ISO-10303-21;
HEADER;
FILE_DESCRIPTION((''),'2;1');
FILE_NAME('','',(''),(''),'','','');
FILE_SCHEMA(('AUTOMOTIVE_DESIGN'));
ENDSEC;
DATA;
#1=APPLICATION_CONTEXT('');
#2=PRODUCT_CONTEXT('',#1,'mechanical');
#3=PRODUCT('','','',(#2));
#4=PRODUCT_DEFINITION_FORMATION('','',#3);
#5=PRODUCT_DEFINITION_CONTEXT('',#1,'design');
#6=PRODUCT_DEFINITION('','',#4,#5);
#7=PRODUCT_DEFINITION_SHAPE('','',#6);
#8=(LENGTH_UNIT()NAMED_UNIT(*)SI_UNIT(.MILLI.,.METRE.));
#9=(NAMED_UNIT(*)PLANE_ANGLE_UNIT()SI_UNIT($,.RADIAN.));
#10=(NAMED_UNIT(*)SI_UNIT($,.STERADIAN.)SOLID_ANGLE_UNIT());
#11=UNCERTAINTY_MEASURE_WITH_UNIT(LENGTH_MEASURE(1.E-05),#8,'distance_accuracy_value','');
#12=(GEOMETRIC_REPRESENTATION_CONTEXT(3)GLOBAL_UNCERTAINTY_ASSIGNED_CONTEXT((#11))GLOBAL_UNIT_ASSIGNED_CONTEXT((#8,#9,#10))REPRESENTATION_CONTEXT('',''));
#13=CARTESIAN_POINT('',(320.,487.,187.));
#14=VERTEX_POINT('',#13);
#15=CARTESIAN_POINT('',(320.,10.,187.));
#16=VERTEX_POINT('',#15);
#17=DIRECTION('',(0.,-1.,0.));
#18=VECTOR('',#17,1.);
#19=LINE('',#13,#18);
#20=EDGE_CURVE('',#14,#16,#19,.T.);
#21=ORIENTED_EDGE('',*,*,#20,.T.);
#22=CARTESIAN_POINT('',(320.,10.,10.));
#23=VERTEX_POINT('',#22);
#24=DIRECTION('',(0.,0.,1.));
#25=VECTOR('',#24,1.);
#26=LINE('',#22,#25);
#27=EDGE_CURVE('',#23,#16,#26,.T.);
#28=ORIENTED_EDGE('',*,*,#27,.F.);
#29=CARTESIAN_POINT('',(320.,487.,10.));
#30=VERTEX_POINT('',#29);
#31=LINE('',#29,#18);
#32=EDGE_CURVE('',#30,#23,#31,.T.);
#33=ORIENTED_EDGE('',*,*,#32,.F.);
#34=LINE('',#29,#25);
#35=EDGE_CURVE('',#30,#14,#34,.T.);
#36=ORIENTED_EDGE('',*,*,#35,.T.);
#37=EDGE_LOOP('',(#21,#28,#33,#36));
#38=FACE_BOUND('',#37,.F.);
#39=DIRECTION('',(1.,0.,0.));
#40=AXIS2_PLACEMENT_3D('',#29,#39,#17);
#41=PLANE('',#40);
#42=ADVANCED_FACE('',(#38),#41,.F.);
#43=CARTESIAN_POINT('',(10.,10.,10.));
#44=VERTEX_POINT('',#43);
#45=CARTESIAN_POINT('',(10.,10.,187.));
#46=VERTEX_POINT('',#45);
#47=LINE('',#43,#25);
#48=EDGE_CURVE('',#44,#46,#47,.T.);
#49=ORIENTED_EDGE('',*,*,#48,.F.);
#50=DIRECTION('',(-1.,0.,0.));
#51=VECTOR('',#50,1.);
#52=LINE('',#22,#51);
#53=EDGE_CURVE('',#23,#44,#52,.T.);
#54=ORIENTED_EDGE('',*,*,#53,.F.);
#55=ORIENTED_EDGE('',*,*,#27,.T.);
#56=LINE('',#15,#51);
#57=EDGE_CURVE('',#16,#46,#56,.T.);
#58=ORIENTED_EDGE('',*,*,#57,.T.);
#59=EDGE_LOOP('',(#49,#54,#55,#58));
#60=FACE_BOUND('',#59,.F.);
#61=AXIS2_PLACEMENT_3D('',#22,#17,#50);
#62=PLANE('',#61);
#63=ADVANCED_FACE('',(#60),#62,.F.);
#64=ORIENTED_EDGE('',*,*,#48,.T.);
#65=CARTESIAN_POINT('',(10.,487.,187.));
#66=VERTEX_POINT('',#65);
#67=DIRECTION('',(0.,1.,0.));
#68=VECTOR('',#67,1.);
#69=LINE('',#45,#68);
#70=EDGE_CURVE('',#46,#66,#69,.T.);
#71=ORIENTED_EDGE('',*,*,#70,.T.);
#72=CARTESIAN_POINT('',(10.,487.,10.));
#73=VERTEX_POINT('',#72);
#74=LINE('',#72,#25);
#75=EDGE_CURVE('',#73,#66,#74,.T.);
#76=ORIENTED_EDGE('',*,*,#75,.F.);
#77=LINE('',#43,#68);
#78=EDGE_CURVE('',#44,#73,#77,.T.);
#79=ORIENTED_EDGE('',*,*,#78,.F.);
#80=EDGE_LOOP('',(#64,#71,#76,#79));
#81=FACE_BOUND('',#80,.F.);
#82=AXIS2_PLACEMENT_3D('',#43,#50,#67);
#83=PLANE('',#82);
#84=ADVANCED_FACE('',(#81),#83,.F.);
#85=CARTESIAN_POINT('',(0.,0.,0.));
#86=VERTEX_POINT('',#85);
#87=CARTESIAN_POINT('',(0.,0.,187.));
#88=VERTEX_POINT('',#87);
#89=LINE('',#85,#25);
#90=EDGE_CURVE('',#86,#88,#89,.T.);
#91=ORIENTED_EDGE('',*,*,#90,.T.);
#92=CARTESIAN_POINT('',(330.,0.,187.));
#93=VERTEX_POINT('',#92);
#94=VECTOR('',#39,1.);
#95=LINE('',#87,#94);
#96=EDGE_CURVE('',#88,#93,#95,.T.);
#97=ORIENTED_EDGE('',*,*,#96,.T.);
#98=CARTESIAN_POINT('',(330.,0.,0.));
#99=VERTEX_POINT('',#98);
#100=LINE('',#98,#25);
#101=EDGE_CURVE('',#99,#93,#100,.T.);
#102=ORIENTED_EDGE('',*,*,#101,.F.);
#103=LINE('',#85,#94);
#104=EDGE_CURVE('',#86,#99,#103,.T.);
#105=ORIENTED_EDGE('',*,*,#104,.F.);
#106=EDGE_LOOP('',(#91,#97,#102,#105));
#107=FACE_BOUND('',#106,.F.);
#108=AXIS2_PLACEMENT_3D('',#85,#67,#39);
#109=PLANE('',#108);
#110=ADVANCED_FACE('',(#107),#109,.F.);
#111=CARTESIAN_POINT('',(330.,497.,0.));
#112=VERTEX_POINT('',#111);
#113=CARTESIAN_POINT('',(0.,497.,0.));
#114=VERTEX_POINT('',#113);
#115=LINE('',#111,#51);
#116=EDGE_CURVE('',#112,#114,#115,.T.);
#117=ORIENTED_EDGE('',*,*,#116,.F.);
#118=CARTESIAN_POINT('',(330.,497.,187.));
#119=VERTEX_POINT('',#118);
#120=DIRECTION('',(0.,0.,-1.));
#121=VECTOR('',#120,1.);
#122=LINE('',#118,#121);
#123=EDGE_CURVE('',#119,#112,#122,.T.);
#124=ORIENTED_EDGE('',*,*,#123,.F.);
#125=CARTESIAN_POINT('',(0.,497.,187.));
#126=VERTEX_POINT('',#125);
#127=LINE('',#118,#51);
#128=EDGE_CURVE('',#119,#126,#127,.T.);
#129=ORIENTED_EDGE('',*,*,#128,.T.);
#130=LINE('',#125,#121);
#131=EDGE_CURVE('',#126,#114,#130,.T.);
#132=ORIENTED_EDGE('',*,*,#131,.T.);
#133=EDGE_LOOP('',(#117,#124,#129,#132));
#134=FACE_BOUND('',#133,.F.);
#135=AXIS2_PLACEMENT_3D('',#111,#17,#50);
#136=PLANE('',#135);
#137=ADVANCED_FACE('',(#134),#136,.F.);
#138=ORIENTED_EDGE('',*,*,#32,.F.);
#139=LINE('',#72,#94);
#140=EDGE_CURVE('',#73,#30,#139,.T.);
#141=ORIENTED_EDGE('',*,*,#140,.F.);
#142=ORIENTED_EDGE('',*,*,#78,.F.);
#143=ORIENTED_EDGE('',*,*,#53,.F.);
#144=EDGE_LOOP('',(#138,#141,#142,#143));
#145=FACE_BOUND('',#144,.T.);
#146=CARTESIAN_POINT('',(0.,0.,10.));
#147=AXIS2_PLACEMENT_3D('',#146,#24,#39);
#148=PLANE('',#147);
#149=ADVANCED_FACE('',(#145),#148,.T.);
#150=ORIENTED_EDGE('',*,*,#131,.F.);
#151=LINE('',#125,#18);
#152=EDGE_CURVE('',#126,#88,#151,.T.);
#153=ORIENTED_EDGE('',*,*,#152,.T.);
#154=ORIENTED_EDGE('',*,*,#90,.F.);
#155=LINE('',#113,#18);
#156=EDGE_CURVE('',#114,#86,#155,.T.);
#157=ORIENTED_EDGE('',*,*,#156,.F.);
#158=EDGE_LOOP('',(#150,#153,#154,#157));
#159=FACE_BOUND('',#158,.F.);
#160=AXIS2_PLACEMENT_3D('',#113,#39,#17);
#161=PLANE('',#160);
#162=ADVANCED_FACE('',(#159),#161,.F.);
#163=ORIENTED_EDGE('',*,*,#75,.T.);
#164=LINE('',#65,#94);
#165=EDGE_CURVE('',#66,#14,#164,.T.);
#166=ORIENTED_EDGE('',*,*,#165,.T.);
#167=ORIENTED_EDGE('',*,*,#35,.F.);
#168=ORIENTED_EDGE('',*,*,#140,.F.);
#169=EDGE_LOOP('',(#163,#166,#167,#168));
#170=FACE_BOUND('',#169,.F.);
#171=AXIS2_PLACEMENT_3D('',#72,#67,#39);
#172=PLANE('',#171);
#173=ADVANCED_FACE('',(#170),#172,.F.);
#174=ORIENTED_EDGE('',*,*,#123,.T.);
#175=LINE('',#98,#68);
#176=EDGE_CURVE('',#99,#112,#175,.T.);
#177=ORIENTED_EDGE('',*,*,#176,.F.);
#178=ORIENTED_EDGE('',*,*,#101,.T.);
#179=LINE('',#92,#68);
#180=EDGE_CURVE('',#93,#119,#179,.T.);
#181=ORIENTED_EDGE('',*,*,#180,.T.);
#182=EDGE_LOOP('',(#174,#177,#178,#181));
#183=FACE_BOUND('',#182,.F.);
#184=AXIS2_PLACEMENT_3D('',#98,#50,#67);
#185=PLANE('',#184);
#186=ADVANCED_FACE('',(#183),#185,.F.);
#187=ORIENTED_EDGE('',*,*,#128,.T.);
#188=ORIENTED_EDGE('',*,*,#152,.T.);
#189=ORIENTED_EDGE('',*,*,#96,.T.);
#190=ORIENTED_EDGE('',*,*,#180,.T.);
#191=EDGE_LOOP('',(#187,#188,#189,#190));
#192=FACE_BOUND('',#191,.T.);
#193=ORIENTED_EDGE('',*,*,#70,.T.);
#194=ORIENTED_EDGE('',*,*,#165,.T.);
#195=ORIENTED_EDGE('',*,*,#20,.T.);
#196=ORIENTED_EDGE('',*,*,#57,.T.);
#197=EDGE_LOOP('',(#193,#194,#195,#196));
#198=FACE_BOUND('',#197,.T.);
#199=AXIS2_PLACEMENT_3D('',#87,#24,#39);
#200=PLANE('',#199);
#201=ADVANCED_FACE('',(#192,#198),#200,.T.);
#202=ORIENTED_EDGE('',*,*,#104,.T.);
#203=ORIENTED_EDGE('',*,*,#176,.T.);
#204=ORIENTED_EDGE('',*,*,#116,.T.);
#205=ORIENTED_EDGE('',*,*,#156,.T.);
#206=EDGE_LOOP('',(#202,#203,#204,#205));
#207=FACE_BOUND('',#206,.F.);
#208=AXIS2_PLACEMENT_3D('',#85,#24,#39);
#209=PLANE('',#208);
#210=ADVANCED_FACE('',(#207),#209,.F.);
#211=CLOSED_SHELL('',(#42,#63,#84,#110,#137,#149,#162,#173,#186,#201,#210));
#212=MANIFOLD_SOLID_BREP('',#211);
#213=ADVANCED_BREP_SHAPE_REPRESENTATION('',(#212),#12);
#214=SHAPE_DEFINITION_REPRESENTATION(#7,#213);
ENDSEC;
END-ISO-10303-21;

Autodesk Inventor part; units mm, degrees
ref_plane "YZ Plane" through (0, 0, 0) normal (1, 0, 0) x (0, 1, 0)
ref_plane "XZ Plane" through (0, 0, 0) normal (0, 1, 0) x (-1, 0, 0)
ref_plane "XY Plane" through (0, 0, 0) normal (0, 0, 1) x (1, 0, 0)
sketch "Sketch1" plane through (0, 0, 0) normal (0, 0, 1) x (1, 0, 0)
  line L0 (0, 0) -> (330, 0)
  line L1 (330, 0) -> (330, 497)
  line L2 (330, 497) -> (0, 497)
  line L3 (0, 497) -> (0, 0)
  dimension "d0" = 330
  dimension "d1" = 497
extrude "Extrusion1" add sketch "Sketch1" along normal blind 10
sketch "Sketch2" plane through (0, 0, 10) normal (0, 0, 1) x (1, 0, 0)
  line L0 (0, 0) -> (330, 0)
  line L1 (330, 0) -> (330, 497)
  line L2 (330, 497) -> (0, 497)
  line L3 (0, 497) -> (0, 0)
  line L4 (10, 487) -> (320, 487)
  line L5 (320, 487) -> (320, 10)
  line L6 (320, 10) -> (10, 10)
  line L7 (10, 10) -> (10, 487)
  dimension "d4" = 330
  dimension "d5" = 497
  dimension "d6" = 10
extrude "Extrusion2" add sketch "Sketch2" along normal blind 177
properties part number "box_under"
